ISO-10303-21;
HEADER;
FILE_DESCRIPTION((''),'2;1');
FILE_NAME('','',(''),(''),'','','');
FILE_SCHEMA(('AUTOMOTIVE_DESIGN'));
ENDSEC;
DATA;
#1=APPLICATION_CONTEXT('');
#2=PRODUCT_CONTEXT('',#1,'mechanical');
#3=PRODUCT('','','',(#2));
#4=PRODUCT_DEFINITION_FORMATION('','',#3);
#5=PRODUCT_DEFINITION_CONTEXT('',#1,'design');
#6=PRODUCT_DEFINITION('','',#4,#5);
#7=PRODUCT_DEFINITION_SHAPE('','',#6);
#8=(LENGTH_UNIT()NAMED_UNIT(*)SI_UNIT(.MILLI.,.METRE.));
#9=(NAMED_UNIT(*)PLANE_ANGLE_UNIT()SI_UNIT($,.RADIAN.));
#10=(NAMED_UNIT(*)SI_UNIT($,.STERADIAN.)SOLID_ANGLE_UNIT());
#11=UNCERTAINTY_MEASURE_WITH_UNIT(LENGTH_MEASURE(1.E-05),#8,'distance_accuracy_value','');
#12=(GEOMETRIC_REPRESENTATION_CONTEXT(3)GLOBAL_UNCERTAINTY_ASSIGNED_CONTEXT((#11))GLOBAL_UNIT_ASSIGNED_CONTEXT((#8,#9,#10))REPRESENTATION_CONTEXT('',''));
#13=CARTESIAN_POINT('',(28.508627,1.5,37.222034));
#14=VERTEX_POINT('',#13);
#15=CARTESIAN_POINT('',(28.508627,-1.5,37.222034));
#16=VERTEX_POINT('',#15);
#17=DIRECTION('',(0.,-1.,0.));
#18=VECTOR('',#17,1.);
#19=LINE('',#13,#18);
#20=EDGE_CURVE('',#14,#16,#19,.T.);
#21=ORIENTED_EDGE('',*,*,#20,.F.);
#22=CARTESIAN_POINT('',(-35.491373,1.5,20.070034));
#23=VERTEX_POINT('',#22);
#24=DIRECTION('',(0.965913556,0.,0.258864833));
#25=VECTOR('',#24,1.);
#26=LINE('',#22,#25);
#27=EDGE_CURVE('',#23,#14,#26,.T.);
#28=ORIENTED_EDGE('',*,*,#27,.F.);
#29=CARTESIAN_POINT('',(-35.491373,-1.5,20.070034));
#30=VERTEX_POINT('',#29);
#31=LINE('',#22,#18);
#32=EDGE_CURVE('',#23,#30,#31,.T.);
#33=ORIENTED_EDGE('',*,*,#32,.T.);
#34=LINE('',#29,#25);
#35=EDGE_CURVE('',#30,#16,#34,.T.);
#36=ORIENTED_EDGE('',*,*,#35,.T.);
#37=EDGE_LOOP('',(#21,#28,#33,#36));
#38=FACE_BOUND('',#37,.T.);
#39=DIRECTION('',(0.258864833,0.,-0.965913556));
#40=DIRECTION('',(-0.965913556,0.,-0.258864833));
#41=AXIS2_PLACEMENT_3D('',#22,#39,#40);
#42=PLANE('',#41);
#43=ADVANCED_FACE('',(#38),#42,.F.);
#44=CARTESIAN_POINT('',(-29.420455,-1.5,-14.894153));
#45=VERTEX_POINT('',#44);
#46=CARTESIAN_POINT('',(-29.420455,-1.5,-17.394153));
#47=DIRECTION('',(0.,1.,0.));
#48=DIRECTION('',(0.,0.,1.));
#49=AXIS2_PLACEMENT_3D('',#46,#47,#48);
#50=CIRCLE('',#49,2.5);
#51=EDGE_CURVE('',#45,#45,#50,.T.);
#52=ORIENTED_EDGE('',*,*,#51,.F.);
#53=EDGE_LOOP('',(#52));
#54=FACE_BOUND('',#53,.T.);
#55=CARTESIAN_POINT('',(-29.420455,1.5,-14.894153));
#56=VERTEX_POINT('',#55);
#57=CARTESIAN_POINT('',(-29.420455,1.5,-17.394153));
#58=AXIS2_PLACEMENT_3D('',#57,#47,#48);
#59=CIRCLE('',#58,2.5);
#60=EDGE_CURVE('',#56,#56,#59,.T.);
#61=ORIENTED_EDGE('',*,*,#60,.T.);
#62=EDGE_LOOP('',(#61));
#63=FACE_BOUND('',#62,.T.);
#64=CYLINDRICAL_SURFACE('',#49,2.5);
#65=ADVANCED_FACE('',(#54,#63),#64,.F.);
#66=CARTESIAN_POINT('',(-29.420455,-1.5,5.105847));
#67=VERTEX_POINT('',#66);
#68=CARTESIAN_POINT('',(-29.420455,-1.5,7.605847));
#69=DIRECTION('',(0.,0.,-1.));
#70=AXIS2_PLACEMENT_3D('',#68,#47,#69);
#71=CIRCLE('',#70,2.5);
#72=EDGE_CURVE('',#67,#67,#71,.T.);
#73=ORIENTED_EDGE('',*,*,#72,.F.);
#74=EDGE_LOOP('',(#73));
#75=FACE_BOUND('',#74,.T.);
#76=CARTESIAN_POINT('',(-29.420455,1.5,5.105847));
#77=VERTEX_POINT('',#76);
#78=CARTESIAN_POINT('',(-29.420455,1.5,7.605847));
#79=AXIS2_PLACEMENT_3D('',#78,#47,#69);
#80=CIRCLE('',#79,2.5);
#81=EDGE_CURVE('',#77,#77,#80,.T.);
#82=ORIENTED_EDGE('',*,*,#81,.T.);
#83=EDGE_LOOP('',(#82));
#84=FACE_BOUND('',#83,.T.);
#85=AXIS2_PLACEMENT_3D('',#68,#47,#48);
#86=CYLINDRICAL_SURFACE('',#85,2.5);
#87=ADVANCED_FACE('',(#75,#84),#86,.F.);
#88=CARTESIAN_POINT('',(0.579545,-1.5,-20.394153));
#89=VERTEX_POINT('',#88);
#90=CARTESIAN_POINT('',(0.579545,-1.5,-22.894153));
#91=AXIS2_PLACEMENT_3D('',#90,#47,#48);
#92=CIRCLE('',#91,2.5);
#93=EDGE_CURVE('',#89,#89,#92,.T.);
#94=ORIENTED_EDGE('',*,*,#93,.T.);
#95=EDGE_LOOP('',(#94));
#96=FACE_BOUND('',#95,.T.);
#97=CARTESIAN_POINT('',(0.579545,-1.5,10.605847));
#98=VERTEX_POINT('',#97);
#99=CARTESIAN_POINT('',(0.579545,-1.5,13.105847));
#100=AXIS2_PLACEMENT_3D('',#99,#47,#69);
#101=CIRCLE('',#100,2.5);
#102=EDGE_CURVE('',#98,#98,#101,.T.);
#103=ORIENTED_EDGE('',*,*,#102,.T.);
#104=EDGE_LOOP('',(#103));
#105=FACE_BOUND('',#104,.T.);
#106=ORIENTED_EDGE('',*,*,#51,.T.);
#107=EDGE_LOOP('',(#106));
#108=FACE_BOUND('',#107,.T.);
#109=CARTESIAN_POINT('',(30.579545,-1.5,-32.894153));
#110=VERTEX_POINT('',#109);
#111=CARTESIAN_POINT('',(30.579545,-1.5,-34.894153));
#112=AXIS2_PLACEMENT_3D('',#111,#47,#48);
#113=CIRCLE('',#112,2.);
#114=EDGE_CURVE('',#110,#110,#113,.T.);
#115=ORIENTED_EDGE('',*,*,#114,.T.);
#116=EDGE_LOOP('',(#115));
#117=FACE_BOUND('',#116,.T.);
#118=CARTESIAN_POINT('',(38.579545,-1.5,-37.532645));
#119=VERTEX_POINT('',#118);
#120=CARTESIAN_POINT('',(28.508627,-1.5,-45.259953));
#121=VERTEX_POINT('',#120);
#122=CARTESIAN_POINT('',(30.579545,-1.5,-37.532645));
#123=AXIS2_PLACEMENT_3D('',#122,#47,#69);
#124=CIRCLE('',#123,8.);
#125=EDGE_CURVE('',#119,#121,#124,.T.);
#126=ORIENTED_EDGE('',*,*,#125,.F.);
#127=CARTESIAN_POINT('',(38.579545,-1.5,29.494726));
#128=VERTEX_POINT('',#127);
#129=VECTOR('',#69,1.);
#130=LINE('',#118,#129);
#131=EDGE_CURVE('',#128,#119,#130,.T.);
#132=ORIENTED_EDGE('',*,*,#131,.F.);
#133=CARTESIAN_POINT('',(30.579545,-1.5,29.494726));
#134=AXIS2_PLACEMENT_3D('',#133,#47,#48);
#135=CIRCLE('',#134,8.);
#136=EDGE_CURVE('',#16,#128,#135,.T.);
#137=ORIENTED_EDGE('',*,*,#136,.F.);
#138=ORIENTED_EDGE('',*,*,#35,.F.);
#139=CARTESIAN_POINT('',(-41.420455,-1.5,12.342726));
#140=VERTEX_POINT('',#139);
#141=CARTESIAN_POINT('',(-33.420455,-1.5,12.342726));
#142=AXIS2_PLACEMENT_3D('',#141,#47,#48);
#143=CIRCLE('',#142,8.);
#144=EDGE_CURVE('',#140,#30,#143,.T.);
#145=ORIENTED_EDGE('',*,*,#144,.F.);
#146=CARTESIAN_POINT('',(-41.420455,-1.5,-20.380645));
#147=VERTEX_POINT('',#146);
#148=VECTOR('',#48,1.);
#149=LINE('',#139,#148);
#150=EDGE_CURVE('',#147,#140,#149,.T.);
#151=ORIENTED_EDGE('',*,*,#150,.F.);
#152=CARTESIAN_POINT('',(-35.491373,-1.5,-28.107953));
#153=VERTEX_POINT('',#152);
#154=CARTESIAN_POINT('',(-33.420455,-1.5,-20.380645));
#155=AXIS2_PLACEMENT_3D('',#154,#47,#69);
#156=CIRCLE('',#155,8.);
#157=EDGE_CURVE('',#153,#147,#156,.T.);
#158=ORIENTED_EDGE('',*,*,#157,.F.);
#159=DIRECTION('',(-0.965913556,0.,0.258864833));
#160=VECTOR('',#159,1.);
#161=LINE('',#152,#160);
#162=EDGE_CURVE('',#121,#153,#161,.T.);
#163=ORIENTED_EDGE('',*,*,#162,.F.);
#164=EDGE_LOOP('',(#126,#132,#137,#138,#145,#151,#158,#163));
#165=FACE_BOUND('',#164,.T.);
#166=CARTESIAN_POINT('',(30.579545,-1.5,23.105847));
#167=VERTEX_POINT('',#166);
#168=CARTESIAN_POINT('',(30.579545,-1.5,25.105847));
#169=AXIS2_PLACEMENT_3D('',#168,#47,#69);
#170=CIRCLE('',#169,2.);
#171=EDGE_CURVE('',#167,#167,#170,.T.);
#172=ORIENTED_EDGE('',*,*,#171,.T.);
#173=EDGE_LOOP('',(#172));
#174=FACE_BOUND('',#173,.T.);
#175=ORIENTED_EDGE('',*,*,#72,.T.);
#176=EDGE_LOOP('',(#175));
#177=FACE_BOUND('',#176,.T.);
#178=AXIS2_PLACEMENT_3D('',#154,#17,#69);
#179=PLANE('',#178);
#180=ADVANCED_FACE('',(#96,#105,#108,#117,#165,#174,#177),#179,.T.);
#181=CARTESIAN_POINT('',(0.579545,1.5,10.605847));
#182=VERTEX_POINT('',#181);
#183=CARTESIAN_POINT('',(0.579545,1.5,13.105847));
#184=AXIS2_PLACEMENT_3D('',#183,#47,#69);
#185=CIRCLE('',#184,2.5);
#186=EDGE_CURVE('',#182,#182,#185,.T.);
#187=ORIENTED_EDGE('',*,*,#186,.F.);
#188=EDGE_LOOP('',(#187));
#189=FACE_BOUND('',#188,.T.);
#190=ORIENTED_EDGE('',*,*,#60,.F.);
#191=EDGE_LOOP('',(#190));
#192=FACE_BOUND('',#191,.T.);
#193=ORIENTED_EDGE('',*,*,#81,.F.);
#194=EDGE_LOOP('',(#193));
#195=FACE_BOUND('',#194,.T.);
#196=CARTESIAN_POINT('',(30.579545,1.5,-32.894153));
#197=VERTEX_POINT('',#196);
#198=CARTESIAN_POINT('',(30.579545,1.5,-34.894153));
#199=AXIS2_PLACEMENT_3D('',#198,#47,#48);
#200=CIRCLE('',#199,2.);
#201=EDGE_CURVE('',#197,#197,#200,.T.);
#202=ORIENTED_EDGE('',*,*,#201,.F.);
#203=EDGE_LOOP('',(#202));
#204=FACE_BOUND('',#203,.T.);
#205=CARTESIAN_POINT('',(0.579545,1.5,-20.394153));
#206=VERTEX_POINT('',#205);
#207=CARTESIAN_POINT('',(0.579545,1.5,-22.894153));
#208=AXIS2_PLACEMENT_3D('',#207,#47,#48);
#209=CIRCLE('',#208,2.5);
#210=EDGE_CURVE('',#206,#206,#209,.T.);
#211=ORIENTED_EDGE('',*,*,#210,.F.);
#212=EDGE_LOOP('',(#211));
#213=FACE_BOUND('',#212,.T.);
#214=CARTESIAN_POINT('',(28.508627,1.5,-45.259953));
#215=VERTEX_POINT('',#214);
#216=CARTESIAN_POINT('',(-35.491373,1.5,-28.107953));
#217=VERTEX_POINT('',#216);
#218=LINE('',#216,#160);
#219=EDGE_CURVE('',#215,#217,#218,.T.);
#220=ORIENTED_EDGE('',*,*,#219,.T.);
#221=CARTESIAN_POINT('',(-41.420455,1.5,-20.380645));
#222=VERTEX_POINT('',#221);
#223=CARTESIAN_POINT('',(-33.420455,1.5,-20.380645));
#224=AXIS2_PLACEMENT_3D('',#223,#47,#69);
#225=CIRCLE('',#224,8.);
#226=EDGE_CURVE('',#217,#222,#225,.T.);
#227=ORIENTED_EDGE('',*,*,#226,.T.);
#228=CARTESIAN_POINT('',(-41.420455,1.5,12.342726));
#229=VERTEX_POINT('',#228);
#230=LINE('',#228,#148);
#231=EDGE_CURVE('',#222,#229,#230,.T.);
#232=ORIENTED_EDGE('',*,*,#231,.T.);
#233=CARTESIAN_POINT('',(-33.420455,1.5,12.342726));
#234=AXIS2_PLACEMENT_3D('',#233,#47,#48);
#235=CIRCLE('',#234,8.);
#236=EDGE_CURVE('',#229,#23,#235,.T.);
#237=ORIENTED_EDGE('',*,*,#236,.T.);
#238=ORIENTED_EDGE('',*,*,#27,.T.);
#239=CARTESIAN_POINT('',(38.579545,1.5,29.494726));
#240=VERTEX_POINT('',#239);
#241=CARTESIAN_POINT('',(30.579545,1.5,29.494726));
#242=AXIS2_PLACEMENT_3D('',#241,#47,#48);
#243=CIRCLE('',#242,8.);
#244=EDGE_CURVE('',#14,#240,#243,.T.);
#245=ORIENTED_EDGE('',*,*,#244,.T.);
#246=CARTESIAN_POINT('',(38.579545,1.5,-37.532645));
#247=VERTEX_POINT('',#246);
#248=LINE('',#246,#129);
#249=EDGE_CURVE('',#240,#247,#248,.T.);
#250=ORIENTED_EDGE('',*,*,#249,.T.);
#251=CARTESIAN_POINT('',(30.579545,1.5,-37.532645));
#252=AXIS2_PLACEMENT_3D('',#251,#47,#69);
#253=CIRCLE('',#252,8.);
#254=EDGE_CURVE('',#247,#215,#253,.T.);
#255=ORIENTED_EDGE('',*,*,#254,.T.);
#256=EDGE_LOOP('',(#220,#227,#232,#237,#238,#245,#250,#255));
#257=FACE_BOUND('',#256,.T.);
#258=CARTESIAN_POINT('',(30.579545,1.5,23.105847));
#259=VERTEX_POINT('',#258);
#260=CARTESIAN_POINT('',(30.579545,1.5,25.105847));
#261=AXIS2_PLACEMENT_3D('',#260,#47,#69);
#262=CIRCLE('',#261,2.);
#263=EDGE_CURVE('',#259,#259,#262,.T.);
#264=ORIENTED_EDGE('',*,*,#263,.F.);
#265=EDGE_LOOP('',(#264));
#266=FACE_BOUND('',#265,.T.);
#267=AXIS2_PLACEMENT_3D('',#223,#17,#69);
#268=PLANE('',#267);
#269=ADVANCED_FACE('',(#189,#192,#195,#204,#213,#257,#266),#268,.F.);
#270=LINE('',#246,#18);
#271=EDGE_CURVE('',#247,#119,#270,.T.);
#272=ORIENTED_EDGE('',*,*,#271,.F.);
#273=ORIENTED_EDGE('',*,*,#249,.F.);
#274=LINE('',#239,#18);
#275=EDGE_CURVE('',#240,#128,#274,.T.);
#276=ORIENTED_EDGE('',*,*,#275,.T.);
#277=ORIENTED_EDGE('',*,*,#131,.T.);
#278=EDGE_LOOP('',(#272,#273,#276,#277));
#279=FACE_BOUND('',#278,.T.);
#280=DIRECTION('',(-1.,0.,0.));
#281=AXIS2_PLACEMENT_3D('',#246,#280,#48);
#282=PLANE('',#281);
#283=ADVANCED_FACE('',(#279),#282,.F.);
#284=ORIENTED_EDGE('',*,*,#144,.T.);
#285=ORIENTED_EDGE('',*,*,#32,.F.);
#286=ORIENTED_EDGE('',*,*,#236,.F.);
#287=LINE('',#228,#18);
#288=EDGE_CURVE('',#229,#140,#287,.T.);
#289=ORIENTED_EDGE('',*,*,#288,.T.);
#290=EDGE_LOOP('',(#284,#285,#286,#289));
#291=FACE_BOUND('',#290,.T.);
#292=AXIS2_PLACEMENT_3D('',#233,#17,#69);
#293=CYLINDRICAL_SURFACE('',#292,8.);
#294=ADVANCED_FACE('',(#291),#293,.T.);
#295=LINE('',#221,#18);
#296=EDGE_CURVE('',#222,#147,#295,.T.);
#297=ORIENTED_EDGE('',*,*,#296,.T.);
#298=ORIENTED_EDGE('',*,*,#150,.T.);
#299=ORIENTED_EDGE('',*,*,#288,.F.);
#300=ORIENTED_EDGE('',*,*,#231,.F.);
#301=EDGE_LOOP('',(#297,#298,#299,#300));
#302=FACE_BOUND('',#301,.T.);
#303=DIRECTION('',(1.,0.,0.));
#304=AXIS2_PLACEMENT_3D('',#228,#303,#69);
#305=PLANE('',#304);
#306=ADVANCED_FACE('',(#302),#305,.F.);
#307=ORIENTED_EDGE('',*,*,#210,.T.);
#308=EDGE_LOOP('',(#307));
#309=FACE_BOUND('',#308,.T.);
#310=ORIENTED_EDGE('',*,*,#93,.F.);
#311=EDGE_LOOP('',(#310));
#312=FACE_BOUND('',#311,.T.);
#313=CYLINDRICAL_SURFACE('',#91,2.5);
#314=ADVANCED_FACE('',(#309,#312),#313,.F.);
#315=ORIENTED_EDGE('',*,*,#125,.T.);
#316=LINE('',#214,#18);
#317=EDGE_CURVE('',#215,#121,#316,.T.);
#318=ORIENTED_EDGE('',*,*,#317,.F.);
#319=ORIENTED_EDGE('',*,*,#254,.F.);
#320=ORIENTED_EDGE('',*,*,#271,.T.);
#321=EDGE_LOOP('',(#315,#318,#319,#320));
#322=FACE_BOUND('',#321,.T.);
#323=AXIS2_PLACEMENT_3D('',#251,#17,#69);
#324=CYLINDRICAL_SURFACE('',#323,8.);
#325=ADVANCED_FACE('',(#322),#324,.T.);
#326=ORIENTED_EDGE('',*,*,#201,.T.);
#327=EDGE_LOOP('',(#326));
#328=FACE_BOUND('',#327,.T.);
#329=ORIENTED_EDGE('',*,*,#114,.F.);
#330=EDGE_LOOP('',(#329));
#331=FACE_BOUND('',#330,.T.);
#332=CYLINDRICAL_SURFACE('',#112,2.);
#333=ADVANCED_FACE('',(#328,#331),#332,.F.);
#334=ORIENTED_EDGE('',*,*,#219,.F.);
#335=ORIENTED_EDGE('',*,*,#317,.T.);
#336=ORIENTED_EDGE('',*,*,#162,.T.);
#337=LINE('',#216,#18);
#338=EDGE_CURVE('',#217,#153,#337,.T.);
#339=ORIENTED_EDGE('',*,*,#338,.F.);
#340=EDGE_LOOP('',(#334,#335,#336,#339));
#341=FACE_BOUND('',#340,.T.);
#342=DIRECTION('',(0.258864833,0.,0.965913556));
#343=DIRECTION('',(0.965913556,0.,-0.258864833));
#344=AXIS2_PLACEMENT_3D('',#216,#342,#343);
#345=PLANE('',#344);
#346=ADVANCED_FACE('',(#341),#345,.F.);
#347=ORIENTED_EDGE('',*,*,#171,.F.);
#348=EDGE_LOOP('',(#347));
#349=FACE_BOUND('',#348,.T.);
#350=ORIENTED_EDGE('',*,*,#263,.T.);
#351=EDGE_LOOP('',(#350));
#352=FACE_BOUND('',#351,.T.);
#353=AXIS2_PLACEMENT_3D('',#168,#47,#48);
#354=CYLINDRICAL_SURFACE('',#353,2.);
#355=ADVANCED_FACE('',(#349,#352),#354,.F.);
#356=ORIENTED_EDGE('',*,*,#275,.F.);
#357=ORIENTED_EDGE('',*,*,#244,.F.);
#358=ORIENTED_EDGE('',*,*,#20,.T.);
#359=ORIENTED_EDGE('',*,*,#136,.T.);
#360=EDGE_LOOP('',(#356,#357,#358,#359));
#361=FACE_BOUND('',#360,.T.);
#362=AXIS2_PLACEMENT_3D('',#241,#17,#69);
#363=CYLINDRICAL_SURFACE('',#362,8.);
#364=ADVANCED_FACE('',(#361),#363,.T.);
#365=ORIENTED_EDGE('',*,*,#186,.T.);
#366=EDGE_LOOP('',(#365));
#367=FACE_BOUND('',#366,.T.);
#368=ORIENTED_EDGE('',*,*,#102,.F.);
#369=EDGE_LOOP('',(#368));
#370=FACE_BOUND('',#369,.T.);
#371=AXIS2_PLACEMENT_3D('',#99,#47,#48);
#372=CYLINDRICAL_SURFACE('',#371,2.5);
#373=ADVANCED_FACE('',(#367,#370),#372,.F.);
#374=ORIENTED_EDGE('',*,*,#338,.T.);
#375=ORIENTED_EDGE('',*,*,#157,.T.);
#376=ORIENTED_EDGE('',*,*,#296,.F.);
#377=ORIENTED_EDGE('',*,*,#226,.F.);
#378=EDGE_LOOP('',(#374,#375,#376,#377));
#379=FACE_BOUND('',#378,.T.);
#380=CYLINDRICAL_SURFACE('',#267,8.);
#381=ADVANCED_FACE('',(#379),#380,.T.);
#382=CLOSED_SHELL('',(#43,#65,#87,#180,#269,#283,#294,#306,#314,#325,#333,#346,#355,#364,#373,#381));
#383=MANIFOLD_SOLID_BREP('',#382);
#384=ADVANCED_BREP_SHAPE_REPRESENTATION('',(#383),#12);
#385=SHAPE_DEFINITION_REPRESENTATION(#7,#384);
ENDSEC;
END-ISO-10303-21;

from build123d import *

# Parameters (mm, degrees)
BOSS_EXTRUDE1_DEPTH = 1.5
SKETCH3_R           = 2
SKETCH3_R_2         = 2.5
CUT_EXTRUDE1_DEPTH  = 3


with BuildPart() as part:
    # Sketch2 → Boss-Extrude1 (new, symmetric)
    with BuildSketch(Plane(origin=(0, 0, 0), x_dir=(1, 0, 0), z_dir=(0, 1, 0))):
        with BuildLine():
            Line((-41.420454545, -12.342725783), (-41.420454545, 20.380644913))
            ThreePointArc((-41.420454545, 20.380644913), (-39.767396696, 25.250585912), (-35.49137321, 28.107953363))
            Line((-35.49137321, 28.107953363), (28.50862679, 45.259953363))
            ThreePointArc((28.50862679, 45.259953363), (35.449486454, 43.879587063), (38.579545455, 37.532644913))
            Line((38.579545455, 37.532644913), (38.579545455, -29.494725783))
            ThreePointArc((38.579545455, -29.494725783), (35.449486454, -35.841667933), (28.50862679, -37.222034233))
            Line((28.50862679, -37.222034233), (-35.49137321, -20.070034233))
            ThreePointArc((-35.49137321, -20.070034233), (-39.767396696, -17.212666783), (-41.420454545, -12.342725783))
        make_face()
    extrude(amount=BOSS_EXTRUDE1_DEPTH, both=True)

    # Sketch3 → Cut-Extrude1 (cut)
    with BuildSketch(Plane(origin=(0, 1.5, 0), x_dir=(1, 0, 0), z_dir=(0, 1, 0))):
        with Locations(Location((30.579545455, 34.894152552, 0), (0, 0, 270))):
            Circle(SKETCH3_R)
        with Locations(Location((0.579545455, 22.894152552, 0), (0, 0, 270))):
            Circle(SKETCH3_R_2)
        with Locations(Location((-29.420454545, 17.394152552, 0), (0, 0, 270))):
            Circle(SKETCH3_R_2)
        with Locations(Location((30.579545455, -25.105847448, 0), (0, 0, 90))):
            Circle(SKETCH3_R)
        with Locations(Location((0.579545455, -13.105847448, 0), (0, 0, 90))):
            Circle(SKETCH3_R_2)
        with Locations(Location((-29.420454545, -7.605847448, 0), (0, 0, 90))):
            Circle(SKETCH3_R_2)
    extrude(amount=-CUT_EXTRUDE1_DEPTH, mode=Mode.SUBTRACT)


solid = part.part
